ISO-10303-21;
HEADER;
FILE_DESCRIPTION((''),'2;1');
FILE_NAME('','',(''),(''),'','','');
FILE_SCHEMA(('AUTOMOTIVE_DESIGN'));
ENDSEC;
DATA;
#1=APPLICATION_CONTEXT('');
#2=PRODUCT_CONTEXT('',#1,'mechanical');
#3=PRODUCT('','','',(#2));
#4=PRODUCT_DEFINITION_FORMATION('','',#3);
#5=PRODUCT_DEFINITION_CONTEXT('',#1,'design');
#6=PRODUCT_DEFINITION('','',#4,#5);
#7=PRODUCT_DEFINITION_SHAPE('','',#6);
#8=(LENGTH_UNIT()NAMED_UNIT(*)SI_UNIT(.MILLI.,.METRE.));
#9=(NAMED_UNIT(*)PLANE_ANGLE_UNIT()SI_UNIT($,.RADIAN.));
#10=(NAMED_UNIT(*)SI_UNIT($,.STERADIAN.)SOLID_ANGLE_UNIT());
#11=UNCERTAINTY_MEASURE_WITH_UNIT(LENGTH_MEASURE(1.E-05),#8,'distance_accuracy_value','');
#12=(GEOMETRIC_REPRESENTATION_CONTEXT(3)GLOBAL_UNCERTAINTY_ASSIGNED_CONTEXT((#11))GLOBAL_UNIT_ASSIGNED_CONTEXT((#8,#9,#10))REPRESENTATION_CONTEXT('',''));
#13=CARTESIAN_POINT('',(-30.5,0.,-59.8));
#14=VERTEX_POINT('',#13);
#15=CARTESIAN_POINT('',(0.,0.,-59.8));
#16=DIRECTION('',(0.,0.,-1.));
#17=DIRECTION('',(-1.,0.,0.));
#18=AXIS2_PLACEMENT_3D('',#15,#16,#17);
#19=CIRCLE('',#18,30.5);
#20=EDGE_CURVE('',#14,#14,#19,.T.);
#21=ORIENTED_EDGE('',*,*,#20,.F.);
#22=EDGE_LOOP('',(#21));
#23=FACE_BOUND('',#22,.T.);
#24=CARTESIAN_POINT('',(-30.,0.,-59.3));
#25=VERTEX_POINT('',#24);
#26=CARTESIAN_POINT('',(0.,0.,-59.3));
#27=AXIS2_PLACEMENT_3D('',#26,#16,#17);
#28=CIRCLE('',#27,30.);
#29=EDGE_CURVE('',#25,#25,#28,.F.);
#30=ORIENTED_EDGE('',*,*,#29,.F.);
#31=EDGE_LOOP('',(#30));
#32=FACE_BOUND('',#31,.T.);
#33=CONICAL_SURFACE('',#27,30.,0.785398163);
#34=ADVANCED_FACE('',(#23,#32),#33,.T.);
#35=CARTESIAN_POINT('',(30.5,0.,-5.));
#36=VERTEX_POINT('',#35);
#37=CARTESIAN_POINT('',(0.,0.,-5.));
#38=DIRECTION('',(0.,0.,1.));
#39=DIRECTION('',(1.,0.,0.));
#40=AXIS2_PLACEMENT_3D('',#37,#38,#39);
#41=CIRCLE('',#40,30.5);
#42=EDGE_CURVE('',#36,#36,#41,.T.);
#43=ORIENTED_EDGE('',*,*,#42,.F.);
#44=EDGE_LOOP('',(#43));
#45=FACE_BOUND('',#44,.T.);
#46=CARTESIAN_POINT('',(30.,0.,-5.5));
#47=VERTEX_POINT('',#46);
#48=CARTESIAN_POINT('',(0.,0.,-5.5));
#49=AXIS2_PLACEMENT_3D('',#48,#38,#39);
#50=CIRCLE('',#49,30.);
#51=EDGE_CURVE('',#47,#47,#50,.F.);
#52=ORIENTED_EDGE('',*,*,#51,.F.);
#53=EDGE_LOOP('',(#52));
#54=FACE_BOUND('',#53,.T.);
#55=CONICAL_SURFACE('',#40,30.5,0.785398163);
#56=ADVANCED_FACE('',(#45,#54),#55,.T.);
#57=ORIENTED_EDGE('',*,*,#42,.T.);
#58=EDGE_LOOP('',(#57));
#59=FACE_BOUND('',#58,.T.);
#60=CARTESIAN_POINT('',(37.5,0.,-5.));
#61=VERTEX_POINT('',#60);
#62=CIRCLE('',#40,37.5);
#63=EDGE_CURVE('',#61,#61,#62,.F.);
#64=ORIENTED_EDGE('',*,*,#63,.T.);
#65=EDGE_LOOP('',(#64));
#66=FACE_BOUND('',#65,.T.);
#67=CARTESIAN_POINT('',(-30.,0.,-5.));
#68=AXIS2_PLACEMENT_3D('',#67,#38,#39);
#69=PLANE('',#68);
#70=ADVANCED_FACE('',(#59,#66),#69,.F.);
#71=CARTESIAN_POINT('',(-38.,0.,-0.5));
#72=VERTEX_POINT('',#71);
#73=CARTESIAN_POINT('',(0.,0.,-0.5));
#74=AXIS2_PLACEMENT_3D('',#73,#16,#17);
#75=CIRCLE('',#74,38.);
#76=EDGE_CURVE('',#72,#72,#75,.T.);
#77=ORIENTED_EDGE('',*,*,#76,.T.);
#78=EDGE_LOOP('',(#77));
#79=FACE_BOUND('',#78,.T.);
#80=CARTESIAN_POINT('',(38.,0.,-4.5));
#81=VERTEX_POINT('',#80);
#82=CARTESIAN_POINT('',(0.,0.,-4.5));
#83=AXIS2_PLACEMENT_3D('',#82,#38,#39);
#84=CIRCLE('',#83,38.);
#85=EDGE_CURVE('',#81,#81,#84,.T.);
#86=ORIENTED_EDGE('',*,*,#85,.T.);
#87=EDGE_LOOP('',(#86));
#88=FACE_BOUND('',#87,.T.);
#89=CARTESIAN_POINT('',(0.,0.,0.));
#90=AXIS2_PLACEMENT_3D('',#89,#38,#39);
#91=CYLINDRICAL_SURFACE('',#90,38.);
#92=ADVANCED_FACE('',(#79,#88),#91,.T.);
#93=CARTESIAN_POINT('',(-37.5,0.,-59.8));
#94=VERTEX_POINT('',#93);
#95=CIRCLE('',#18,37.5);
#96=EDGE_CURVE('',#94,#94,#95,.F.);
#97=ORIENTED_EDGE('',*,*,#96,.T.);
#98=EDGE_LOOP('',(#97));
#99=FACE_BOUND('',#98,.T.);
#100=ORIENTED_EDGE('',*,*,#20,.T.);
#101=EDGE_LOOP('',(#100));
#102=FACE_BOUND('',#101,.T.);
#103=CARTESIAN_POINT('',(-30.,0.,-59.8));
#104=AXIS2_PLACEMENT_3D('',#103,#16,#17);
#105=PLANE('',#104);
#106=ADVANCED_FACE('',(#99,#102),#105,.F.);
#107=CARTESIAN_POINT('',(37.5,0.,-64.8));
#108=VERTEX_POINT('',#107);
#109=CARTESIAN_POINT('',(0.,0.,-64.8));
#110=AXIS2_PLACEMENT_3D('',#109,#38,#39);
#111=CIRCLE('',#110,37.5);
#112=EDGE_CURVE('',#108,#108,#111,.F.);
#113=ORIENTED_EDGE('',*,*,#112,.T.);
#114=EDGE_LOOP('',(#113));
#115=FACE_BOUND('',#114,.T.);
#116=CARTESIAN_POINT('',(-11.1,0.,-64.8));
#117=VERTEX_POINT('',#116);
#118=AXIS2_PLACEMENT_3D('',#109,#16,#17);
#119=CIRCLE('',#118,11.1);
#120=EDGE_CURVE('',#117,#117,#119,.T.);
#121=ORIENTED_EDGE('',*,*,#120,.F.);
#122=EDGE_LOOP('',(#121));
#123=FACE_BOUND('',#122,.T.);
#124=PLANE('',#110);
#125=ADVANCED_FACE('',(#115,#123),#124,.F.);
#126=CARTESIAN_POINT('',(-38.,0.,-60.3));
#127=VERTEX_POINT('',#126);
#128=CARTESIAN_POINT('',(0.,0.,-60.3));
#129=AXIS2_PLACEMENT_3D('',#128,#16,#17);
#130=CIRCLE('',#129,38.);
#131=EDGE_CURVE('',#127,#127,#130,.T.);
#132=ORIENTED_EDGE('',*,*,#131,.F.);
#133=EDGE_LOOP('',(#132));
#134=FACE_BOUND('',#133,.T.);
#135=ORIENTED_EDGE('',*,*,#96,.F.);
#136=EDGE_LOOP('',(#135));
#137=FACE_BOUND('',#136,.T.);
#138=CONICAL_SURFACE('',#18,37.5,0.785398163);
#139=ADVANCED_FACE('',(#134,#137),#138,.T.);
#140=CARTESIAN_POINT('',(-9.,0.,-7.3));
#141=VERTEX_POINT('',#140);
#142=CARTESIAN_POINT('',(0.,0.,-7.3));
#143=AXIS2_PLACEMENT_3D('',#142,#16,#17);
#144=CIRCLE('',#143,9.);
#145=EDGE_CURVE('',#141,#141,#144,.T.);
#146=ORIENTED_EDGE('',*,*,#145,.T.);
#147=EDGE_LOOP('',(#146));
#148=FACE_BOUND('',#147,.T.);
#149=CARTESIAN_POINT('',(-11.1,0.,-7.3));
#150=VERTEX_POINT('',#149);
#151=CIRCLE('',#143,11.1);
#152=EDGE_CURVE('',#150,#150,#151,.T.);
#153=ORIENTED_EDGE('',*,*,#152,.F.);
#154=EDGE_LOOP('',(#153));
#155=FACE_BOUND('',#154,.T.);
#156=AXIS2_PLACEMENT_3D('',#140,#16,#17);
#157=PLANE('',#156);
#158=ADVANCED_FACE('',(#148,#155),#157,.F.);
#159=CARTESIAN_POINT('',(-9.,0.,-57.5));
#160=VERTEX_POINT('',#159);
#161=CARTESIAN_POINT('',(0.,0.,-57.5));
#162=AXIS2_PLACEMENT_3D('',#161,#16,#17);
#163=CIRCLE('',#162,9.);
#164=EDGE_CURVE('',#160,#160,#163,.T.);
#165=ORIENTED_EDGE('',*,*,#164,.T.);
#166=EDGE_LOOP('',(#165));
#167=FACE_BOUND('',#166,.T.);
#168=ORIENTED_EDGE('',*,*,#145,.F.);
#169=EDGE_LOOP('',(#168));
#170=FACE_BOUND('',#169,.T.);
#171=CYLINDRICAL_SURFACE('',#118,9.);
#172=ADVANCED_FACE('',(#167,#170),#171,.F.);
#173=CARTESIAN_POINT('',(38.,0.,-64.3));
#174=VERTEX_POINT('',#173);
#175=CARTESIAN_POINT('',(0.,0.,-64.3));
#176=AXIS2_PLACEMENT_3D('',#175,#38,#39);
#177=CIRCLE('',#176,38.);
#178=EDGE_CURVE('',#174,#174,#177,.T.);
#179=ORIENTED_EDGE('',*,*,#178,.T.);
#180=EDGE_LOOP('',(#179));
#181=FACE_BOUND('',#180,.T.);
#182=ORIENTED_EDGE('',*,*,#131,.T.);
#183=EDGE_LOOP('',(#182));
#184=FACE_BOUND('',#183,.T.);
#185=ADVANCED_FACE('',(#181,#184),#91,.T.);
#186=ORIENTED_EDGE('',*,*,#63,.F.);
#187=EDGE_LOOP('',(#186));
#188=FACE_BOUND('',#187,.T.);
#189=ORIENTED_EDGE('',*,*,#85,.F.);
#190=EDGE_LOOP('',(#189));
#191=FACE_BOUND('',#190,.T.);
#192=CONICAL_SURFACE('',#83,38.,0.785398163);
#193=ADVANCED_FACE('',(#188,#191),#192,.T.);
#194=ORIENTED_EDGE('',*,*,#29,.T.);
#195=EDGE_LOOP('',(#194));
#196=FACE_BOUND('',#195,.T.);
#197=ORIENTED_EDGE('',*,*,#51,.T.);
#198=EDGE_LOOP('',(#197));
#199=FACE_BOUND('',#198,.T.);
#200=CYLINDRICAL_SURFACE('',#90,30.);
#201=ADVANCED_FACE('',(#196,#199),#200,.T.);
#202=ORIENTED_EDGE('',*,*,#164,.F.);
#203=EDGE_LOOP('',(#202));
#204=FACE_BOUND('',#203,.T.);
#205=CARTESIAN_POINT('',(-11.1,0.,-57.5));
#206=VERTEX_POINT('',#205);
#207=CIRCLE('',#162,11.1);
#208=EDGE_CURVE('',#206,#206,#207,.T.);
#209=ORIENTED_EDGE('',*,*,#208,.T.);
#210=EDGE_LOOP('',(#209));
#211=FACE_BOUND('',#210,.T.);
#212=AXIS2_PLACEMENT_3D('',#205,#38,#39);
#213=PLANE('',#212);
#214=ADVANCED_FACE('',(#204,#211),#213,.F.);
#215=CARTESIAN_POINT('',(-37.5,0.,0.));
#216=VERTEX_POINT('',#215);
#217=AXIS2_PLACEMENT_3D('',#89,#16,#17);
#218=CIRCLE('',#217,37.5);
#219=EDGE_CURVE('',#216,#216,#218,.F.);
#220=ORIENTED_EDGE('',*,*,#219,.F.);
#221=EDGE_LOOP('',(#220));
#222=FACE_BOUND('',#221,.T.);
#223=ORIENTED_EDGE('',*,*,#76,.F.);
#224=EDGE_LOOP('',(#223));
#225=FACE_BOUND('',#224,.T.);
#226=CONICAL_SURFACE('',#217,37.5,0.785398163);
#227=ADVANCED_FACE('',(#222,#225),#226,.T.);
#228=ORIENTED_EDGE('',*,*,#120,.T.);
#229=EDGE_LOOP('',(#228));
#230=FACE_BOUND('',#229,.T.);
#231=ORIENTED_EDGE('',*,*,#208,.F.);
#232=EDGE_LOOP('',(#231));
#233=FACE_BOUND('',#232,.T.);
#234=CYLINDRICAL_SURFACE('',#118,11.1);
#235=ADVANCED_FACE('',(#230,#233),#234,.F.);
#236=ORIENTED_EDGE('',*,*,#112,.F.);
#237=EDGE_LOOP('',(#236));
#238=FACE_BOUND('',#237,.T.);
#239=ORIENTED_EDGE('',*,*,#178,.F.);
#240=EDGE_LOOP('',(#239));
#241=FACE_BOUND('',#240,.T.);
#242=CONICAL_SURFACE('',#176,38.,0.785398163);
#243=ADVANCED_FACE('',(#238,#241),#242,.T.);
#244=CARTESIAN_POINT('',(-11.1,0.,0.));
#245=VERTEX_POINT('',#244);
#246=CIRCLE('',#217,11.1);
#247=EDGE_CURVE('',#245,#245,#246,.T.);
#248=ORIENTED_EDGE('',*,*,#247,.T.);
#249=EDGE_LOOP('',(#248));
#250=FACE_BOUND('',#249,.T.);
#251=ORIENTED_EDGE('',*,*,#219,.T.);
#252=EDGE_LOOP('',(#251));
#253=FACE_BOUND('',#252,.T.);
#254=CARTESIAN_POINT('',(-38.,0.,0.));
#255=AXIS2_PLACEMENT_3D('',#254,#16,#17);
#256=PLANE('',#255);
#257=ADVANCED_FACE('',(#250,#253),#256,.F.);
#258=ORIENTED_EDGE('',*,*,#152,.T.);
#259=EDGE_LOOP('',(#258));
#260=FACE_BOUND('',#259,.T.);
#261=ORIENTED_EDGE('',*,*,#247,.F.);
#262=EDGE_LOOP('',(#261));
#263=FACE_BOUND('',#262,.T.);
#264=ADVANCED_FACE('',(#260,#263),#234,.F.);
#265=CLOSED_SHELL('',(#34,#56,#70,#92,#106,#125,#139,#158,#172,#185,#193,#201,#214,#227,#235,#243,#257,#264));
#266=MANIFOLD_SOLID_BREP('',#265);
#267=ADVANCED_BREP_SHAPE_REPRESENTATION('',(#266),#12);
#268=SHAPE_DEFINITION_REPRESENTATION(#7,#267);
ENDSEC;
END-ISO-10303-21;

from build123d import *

# Parameters (mm, degrees)
CHAMFER1_SIZE = 0.5


with BuildPart() as part:
    # Sketch1 → Revolve1 (revolve)
    with BuildSketch(Plane(origin=(0, 0, 0), x_dir=(1, 0, 0), z_dir=(0, 1, 0)), mode=Mode.PRIVATE) as revolve1_sk:
        Polygon((0, 0), (0, 64.8), (-38, 64.8), (-38, 59.8), (-30, 59.8), (-30, 5), (-38, 5), (-38, 0), align=None)
    revolve(revolve1_sk.sketch.rotate(Axis((0, 0, 0), (0, 0, -1)), 180), axis=Axis((0, 0, 0), (0, 0, -1)))

    # Sketch7 → Cut-Revolve1 (revolve, cut)
    with BuildSketch(Plane(origin=(0, 0, 0), x_dir=(1, 0, 0), z_dir=(0, 1, 0))):
        Polygon((0, 64.8), (-11.1, 64.8), (-11.1, 57.5), (-9, 57.5), (-9, 7.3), (-11.1, 7.3), (-11.1, 0), (0, 0), align=None)
    revolve(axis=Axis((0, 0, -64.8), (0, 0, 1)), mode=Mode.SUBTRACT)

    # Chamfer1
    chamfer1_edges = [part.edges().sort_by_distance(p)[0] for p in [
        (-38, 0, 0),
        (-38, 0, -5),
        (-30, 0, -5),
        (-30, 0, -59.8),
        (-38, 0, -59.8),
        (-38, 0, -64.8),
    ]]
    chamfer(chamfer1_edges, length=CHAMFER1_SIZE)


solid = part.part
